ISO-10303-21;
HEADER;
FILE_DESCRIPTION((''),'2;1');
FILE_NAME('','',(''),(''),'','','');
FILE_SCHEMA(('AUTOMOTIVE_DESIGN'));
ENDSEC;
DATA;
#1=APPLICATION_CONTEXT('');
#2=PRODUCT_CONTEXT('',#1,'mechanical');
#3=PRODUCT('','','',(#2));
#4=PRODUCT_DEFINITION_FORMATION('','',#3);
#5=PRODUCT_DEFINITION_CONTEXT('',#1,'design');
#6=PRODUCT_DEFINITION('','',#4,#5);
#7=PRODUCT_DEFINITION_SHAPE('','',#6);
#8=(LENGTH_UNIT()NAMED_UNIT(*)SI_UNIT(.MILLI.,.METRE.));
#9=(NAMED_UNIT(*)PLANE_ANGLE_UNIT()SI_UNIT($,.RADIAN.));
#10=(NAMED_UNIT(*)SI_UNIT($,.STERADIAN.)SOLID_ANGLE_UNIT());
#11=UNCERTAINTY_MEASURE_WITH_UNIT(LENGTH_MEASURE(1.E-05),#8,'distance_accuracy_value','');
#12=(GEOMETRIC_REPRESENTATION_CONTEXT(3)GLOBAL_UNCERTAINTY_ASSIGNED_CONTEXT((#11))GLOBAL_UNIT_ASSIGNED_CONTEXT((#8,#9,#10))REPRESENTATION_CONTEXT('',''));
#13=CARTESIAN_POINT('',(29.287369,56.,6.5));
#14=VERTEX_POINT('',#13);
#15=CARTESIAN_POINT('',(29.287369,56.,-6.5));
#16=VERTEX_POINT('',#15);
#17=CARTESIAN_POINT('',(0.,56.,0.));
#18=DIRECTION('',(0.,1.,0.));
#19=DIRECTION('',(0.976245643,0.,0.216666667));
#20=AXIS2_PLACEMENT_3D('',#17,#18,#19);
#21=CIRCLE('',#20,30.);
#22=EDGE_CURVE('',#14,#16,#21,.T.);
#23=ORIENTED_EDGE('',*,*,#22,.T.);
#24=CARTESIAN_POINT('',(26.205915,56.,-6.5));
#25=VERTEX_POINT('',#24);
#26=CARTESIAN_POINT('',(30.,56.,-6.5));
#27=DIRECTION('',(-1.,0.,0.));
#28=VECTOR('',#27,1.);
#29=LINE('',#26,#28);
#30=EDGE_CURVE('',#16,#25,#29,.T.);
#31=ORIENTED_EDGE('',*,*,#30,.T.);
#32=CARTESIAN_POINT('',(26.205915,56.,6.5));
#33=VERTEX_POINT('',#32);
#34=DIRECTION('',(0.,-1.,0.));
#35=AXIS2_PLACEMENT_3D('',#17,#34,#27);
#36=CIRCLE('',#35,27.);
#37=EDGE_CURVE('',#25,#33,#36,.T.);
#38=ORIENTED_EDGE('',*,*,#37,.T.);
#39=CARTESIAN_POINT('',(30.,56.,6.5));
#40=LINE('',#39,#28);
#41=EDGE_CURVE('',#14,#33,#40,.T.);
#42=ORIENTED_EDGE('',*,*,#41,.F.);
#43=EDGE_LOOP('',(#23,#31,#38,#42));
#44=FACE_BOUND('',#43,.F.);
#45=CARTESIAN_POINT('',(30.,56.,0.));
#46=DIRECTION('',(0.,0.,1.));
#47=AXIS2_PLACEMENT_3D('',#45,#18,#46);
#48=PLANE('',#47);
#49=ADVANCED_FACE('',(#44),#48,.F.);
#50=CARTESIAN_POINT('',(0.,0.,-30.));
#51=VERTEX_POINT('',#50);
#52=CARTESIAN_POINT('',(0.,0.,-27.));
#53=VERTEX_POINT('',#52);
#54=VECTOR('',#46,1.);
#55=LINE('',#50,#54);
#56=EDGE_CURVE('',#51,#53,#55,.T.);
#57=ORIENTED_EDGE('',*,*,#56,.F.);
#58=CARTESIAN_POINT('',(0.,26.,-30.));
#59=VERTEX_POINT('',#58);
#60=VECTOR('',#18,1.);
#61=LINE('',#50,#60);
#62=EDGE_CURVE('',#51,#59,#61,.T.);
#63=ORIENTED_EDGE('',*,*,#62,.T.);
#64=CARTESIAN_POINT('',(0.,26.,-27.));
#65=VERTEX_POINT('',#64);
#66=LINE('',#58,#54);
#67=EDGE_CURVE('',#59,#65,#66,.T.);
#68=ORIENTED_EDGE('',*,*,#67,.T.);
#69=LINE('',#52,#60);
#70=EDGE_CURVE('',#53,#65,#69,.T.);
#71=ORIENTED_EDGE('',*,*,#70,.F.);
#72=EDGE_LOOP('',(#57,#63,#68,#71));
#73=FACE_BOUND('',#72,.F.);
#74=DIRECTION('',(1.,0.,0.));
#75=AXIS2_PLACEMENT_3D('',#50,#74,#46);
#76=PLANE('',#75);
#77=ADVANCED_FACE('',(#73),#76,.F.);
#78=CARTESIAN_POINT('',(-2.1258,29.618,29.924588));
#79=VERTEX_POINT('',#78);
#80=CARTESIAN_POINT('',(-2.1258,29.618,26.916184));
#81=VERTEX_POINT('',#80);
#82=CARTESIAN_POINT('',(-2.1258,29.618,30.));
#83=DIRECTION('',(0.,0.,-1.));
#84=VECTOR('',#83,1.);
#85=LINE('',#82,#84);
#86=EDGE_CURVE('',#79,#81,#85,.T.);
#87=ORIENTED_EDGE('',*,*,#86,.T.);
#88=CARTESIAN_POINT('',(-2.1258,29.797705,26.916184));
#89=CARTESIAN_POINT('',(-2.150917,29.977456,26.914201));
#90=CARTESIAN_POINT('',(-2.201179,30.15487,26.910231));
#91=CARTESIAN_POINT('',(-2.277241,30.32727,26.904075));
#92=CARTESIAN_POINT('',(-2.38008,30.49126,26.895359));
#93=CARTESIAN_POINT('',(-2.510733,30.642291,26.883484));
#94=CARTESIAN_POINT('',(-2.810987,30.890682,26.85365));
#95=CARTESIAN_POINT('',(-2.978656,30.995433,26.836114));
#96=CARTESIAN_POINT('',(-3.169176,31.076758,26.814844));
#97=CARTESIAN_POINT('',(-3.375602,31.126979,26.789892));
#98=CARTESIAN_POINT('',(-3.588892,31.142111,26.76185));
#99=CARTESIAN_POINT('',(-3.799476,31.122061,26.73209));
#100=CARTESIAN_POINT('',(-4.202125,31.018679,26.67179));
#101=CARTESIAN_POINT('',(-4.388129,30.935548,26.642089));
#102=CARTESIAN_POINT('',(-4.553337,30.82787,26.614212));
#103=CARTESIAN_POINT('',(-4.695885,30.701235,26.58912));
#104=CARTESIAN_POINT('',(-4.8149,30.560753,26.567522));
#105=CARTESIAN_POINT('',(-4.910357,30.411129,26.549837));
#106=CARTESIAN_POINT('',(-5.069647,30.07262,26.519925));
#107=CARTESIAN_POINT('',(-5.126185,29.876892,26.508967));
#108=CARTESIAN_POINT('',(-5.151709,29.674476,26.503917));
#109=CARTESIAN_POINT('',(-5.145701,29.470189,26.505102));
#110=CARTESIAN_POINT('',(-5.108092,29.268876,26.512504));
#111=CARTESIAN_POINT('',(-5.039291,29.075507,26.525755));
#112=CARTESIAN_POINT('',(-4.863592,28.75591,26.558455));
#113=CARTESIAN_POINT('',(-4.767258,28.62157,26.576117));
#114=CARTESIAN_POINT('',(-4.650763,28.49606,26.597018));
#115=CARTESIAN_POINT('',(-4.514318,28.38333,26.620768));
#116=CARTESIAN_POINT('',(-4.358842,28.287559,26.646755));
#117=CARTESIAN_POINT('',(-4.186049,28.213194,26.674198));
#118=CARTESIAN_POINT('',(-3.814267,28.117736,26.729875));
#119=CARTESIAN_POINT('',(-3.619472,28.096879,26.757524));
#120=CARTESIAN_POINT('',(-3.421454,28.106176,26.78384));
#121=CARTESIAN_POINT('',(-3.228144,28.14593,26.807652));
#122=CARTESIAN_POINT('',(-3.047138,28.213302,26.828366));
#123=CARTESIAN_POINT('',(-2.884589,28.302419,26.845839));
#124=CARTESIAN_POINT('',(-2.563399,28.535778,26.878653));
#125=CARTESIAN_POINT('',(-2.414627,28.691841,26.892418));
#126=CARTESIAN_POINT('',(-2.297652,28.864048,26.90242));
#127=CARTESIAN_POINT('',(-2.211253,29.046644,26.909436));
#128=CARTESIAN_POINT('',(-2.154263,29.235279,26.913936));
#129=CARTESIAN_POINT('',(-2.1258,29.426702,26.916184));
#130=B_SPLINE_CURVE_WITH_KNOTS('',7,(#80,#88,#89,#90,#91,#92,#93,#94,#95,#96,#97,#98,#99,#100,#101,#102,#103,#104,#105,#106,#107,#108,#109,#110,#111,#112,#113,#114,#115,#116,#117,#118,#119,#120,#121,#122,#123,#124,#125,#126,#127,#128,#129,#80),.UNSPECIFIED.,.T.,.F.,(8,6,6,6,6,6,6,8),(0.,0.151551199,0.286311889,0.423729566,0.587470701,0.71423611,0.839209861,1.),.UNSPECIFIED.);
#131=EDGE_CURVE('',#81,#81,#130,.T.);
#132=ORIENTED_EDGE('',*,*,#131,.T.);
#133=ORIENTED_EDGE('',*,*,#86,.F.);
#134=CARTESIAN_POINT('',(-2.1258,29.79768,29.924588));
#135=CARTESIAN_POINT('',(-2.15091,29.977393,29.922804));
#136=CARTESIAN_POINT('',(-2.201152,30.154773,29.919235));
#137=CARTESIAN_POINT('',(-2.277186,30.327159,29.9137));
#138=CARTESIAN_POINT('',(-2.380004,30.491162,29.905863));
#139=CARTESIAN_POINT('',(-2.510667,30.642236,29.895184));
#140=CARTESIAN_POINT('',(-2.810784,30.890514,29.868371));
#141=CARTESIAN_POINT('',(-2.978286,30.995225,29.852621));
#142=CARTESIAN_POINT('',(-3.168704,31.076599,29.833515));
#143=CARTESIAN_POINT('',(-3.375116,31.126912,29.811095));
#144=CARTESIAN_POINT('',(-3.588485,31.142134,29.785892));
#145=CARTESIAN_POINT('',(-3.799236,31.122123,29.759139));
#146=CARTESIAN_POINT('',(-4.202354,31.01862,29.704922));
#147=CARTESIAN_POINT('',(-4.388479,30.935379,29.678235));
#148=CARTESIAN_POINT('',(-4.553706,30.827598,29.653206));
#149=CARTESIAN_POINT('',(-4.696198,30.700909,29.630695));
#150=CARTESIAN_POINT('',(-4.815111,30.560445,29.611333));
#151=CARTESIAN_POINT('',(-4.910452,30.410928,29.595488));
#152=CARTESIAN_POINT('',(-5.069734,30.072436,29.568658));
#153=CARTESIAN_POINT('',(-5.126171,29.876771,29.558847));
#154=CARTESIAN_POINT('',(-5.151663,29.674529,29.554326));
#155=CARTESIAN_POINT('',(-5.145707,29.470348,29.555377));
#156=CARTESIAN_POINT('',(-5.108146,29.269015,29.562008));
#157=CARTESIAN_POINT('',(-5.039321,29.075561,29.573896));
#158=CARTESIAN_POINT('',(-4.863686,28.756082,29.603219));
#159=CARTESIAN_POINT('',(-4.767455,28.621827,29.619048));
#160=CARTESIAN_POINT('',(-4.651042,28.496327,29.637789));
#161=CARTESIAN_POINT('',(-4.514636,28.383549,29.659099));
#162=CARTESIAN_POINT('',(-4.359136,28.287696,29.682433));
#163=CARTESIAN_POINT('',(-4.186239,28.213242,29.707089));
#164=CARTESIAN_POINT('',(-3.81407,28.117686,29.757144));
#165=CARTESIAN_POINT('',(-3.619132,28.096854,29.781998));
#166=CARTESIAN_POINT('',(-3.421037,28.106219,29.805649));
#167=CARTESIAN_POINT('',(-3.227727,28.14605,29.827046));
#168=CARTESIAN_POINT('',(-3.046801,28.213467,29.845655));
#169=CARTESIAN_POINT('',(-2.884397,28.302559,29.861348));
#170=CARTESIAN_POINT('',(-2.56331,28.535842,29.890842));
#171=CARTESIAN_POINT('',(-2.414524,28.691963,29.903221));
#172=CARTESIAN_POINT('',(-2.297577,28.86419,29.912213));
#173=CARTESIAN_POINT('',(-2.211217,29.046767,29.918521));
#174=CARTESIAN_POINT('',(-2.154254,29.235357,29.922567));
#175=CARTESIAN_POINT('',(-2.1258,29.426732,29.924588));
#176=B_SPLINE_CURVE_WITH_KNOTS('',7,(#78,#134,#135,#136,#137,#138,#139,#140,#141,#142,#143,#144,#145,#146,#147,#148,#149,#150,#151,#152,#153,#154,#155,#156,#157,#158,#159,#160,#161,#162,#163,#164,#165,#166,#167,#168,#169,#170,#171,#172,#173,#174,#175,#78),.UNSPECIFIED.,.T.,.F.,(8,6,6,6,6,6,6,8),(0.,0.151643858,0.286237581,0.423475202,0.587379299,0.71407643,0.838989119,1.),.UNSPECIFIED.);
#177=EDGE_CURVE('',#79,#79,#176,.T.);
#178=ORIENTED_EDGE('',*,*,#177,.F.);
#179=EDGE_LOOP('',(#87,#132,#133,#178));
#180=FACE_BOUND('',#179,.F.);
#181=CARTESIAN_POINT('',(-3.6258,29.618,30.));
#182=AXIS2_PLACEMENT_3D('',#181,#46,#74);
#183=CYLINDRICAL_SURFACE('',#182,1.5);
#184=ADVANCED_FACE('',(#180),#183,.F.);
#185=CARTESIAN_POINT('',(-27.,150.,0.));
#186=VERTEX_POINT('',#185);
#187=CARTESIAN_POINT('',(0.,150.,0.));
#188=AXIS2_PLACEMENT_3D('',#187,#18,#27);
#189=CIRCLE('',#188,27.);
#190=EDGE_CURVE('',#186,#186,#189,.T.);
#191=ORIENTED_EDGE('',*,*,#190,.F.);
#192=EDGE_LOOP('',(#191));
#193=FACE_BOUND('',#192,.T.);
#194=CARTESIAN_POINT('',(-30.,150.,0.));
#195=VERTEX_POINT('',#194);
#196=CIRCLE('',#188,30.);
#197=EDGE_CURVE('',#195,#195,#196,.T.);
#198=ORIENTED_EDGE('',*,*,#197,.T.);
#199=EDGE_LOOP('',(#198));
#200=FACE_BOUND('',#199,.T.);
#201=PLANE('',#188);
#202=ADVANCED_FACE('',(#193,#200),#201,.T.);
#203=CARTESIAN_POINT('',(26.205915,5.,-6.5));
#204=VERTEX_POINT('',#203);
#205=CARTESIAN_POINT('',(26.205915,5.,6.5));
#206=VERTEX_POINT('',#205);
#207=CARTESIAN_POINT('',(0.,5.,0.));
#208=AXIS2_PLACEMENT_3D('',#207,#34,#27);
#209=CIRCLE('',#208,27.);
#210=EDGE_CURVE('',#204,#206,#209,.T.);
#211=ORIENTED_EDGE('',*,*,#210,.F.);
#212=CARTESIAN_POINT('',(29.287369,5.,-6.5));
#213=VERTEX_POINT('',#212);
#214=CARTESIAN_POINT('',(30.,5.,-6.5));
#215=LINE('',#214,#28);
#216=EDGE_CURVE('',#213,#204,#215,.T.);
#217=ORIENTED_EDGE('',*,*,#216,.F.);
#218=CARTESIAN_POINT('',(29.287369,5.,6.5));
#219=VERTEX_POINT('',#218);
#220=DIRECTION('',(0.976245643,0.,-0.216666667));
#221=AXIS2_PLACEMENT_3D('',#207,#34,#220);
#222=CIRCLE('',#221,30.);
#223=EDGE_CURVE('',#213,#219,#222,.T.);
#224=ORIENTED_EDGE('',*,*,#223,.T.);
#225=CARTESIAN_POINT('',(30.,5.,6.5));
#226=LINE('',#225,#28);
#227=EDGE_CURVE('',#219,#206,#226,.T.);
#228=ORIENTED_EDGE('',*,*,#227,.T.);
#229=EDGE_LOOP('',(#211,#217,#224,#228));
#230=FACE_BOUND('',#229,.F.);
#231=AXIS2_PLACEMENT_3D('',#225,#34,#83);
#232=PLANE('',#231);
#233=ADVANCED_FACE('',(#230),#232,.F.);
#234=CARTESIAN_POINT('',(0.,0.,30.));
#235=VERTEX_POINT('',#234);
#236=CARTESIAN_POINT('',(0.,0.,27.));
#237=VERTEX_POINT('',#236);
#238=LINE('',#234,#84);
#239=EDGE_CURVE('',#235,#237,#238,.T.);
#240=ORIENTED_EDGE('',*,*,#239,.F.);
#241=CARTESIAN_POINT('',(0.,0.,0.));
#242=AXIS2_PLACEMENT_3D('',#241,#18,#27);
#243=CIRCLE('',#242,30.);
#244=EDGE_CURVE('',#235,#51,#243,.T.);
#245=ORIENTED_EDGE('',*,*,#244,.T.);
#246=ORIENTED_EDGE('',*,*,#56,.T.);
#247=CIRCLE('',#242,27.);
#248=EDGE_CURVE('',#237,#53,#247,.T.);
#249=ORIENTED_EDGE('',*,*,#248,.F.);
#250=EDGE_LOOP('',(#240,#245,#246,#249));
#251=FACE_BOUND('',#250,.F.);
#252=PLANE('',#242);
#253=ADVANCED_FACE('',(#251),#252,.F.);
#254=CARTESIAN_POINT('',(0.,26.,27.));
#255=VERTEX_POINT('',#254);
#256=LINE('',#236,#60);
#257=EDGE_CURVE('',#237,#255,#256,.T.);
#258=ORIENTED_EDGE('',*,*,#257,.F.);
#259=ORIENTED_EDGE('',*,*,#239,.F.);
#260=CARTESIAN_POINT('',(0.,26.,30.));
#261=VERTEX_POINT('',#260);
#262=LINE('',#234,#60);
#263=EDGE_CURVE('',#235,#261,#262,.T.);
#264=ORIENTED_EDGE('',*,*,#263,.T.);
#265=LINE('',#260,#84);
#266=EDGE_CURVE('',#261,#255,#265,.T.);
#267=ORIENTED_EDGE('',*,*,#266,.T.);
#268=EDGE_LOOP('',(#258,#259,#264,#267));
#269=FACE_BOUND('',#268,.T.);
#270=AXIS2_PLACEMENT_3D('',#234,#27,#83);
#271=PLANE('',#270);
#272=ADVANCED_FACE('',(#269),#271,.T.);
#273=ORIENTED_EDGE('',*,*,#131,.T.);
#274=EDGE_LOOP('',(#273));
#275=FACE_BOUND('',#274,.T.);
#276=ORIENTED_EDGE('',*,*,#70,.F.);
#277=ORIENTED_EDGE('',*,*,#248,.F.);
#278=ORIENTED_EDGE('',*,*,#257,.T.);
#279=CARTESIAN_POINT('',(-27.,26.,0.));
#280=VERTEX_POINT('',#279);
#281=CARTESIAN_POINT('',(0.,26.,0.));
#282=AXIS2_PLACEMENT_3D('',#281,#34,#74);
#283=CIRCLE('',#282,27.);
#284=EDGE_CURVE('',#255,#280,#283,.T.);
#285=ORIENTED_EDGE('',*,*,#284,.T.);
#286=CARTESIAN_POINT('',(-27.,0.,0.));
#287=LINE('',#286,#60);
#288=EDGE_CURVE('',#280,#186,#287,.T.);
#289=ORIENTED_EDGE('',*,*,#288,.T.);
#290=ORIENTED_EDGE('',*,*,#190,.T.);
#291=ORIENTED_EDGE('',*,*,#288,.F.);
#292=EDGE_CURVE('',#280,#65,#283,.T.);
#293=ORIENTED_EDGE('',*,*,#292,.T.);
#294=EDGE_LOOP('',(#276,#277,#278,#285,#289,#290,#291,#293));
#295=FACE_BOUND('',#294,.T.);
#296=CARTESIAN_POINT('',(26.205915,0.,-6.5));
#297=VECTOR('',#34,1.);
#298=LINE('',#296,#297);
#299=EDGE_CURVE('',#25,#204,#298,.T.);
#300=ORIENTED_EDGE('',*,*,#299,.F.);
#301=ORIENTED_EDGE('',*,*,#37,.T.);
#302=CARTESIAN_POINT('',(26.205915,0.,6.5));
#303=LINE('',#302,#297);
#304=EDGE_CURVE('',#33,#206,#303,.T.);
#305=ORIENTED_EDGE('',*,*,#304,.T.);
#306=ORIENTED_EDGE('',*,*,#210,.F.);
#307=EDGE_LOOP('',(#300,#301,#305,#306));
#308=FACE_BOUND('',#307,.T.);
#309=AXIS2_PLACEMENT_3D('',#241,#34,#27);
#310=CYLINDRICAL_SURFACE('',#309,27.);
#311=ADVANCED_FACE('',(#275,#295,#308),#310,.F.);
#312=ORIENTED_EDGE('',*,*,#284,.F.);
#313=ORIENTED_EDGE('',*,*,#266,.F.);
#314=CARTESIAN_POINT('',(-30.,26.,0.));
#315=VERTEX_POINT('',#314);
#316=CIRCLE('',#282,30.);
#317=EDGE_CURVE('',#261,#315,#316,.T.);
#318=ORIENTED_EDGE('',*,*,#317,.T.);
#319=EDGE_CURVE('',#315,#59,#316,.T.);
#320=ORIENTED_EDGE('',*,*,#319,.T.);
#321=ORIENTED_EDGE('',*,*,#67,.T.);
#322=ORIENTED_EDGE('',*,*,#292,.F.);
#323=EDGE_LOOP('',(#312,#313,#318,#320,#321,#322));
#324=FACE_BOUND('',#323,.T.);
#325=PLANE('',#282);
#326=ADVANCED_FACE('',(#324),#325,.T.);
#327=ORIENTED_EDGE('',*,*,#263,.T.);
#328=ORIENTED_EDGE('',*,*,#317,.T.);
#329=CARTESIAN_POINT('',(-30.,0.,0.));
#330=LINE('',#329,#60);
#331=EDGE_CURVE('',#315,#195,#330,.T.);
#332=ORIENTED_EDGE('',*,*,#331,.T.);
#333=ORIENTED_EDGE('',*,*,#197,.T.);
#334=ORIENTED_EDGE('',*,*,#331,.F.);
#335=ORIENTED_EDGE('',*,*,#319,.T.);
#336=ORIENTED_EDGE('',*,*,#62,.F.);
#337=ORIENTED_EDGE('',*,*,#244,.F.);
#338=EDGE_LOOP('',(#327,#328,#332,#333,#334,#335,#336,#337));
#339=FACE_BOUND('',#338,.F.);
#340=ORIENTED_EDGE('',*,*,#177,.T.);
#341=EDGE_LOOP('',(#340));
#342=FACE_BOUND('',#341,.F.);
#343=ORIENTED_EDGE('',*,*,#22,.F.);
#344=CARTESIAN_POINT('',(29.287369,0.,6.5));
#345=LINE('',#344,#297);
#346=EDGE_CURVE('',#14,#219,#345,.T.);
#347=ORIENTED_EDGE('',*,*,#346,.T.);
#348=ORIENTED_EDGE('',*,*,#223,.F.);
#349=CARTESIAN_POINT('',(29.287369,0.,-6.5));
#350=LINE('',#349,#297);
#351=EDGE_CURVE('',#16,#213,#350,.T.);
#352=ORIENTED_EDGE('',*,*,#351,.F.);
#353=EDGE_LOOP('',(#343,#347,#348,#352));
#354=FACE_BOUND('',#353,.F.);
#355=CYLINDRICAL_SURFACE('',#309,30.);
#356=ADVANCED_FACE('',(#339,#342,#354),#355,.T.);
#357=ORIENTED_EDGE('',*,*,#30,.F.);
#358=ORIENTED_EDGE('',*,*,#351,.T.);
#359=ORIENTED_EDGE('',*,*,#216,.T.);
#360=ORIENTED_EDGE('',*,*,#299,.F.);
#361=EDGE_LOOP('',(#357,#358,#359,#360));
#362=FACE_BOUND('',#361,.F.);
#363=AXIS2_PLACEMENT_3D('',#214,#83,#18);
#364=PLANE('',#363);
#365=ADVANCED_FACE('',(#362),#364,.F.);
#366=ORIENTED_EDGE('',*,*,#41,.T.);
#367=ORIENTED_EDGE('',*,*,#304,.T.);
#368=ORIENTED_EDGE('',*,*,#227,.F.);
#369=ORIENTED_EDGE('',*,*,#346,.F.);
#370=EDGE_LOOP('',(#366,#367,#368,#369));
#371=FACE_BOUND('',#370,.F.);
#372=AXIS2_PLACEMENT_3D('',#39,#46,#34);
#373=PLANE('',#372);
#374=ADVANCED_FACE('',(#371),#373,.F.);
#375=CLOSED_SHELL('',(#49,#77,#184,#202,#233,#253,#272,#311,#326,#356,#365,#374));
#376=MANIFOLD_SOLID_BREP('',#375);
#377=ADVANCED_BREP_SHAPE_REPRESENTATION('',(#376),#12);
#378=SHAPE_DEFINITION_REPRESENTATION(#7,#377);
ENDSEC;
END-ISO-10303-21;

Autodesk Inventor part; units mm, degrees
ref_plane "XZ Plane" through (0, 0, 0) normal (0, 1, 0) x (-1, 0, 0)
sketch "Esquisse1" plane through (0, 0, 0) normal (0, 1, 0) x (-1, 0, 0)
  circle A0 centre (0, 0) radius 27
  circle A1 centre (0, 0) radius 30
  dimension "d0" = 60
  dimension "d1" = 54
extrude "Extrusion1" add sketch "Esquisse1" along normal blind 150
ref_plane "Plan de construction1" through (30, 0, 0) normal (1, 0, 0) x (0, 1, 0)
sketch "Esquisse2" plane through (30, 0, 0) normal (1, 0, 0) x (0, 1, 0)
  line L0 (56, 6.5) -> (5, 6.5)
  line L1 (5, 6.5) -> (5, -6.5)
  line L2 (5, -6.5) -> (56, -6.5)
  line L3 (56, -6.5) -> (56, 6.5)
  line L4 (0, -27) -> (0, 27) projected
  line L5 (-11.2, 0) -> (67.2, 0) projected
  point P0 (0, 0)
  dimension "d5" = 5
  dimension "d6" = 51
  dimension "d7" = 13
  dimension "d8" = 6.5
extrude "Extrusion2" cut sketch "Esquisse2" against normal blind 10
sketch "Esquisse3" plane through (0, 0, 0) normal (0, -1, 0) x (1, 0, 0)
  circle A0 centre (0, 0) radius 27 projected
  arc A1 (0, 27) -> (0, -27) centre (0, 0) ccw
  circle A2 centre (0, 0) radius 30 projected
  arc A3 (0, 30) -> (0, -30) centre (0, 0) ccw
  line L0 (0, 30) -> (0, 27)
  line L1 (0, -30) -> (0, -27)
extrude "Extrusion3" cut sketch "Esquisse3" against normal blind 26 contours A0 L1 A2 L0 picked at (-4.547, -28.4479)
ref_plane "Work Plane2" through (0, 0, 30) normal (0, 0, 1) x (1, 0, 0)
sketch "Sketch4" plane through (0, 0, 30) normal (0, 0, 1) x (1, 0, 0)
  circle A0 centre (-3.6258, 29.618) radius 1.5 projected
  point P0 (0, 0)
extrude "Extrusion4" cut sketch "Sketch4" against normal up to next
properties part number "cylindre-lanceur"
